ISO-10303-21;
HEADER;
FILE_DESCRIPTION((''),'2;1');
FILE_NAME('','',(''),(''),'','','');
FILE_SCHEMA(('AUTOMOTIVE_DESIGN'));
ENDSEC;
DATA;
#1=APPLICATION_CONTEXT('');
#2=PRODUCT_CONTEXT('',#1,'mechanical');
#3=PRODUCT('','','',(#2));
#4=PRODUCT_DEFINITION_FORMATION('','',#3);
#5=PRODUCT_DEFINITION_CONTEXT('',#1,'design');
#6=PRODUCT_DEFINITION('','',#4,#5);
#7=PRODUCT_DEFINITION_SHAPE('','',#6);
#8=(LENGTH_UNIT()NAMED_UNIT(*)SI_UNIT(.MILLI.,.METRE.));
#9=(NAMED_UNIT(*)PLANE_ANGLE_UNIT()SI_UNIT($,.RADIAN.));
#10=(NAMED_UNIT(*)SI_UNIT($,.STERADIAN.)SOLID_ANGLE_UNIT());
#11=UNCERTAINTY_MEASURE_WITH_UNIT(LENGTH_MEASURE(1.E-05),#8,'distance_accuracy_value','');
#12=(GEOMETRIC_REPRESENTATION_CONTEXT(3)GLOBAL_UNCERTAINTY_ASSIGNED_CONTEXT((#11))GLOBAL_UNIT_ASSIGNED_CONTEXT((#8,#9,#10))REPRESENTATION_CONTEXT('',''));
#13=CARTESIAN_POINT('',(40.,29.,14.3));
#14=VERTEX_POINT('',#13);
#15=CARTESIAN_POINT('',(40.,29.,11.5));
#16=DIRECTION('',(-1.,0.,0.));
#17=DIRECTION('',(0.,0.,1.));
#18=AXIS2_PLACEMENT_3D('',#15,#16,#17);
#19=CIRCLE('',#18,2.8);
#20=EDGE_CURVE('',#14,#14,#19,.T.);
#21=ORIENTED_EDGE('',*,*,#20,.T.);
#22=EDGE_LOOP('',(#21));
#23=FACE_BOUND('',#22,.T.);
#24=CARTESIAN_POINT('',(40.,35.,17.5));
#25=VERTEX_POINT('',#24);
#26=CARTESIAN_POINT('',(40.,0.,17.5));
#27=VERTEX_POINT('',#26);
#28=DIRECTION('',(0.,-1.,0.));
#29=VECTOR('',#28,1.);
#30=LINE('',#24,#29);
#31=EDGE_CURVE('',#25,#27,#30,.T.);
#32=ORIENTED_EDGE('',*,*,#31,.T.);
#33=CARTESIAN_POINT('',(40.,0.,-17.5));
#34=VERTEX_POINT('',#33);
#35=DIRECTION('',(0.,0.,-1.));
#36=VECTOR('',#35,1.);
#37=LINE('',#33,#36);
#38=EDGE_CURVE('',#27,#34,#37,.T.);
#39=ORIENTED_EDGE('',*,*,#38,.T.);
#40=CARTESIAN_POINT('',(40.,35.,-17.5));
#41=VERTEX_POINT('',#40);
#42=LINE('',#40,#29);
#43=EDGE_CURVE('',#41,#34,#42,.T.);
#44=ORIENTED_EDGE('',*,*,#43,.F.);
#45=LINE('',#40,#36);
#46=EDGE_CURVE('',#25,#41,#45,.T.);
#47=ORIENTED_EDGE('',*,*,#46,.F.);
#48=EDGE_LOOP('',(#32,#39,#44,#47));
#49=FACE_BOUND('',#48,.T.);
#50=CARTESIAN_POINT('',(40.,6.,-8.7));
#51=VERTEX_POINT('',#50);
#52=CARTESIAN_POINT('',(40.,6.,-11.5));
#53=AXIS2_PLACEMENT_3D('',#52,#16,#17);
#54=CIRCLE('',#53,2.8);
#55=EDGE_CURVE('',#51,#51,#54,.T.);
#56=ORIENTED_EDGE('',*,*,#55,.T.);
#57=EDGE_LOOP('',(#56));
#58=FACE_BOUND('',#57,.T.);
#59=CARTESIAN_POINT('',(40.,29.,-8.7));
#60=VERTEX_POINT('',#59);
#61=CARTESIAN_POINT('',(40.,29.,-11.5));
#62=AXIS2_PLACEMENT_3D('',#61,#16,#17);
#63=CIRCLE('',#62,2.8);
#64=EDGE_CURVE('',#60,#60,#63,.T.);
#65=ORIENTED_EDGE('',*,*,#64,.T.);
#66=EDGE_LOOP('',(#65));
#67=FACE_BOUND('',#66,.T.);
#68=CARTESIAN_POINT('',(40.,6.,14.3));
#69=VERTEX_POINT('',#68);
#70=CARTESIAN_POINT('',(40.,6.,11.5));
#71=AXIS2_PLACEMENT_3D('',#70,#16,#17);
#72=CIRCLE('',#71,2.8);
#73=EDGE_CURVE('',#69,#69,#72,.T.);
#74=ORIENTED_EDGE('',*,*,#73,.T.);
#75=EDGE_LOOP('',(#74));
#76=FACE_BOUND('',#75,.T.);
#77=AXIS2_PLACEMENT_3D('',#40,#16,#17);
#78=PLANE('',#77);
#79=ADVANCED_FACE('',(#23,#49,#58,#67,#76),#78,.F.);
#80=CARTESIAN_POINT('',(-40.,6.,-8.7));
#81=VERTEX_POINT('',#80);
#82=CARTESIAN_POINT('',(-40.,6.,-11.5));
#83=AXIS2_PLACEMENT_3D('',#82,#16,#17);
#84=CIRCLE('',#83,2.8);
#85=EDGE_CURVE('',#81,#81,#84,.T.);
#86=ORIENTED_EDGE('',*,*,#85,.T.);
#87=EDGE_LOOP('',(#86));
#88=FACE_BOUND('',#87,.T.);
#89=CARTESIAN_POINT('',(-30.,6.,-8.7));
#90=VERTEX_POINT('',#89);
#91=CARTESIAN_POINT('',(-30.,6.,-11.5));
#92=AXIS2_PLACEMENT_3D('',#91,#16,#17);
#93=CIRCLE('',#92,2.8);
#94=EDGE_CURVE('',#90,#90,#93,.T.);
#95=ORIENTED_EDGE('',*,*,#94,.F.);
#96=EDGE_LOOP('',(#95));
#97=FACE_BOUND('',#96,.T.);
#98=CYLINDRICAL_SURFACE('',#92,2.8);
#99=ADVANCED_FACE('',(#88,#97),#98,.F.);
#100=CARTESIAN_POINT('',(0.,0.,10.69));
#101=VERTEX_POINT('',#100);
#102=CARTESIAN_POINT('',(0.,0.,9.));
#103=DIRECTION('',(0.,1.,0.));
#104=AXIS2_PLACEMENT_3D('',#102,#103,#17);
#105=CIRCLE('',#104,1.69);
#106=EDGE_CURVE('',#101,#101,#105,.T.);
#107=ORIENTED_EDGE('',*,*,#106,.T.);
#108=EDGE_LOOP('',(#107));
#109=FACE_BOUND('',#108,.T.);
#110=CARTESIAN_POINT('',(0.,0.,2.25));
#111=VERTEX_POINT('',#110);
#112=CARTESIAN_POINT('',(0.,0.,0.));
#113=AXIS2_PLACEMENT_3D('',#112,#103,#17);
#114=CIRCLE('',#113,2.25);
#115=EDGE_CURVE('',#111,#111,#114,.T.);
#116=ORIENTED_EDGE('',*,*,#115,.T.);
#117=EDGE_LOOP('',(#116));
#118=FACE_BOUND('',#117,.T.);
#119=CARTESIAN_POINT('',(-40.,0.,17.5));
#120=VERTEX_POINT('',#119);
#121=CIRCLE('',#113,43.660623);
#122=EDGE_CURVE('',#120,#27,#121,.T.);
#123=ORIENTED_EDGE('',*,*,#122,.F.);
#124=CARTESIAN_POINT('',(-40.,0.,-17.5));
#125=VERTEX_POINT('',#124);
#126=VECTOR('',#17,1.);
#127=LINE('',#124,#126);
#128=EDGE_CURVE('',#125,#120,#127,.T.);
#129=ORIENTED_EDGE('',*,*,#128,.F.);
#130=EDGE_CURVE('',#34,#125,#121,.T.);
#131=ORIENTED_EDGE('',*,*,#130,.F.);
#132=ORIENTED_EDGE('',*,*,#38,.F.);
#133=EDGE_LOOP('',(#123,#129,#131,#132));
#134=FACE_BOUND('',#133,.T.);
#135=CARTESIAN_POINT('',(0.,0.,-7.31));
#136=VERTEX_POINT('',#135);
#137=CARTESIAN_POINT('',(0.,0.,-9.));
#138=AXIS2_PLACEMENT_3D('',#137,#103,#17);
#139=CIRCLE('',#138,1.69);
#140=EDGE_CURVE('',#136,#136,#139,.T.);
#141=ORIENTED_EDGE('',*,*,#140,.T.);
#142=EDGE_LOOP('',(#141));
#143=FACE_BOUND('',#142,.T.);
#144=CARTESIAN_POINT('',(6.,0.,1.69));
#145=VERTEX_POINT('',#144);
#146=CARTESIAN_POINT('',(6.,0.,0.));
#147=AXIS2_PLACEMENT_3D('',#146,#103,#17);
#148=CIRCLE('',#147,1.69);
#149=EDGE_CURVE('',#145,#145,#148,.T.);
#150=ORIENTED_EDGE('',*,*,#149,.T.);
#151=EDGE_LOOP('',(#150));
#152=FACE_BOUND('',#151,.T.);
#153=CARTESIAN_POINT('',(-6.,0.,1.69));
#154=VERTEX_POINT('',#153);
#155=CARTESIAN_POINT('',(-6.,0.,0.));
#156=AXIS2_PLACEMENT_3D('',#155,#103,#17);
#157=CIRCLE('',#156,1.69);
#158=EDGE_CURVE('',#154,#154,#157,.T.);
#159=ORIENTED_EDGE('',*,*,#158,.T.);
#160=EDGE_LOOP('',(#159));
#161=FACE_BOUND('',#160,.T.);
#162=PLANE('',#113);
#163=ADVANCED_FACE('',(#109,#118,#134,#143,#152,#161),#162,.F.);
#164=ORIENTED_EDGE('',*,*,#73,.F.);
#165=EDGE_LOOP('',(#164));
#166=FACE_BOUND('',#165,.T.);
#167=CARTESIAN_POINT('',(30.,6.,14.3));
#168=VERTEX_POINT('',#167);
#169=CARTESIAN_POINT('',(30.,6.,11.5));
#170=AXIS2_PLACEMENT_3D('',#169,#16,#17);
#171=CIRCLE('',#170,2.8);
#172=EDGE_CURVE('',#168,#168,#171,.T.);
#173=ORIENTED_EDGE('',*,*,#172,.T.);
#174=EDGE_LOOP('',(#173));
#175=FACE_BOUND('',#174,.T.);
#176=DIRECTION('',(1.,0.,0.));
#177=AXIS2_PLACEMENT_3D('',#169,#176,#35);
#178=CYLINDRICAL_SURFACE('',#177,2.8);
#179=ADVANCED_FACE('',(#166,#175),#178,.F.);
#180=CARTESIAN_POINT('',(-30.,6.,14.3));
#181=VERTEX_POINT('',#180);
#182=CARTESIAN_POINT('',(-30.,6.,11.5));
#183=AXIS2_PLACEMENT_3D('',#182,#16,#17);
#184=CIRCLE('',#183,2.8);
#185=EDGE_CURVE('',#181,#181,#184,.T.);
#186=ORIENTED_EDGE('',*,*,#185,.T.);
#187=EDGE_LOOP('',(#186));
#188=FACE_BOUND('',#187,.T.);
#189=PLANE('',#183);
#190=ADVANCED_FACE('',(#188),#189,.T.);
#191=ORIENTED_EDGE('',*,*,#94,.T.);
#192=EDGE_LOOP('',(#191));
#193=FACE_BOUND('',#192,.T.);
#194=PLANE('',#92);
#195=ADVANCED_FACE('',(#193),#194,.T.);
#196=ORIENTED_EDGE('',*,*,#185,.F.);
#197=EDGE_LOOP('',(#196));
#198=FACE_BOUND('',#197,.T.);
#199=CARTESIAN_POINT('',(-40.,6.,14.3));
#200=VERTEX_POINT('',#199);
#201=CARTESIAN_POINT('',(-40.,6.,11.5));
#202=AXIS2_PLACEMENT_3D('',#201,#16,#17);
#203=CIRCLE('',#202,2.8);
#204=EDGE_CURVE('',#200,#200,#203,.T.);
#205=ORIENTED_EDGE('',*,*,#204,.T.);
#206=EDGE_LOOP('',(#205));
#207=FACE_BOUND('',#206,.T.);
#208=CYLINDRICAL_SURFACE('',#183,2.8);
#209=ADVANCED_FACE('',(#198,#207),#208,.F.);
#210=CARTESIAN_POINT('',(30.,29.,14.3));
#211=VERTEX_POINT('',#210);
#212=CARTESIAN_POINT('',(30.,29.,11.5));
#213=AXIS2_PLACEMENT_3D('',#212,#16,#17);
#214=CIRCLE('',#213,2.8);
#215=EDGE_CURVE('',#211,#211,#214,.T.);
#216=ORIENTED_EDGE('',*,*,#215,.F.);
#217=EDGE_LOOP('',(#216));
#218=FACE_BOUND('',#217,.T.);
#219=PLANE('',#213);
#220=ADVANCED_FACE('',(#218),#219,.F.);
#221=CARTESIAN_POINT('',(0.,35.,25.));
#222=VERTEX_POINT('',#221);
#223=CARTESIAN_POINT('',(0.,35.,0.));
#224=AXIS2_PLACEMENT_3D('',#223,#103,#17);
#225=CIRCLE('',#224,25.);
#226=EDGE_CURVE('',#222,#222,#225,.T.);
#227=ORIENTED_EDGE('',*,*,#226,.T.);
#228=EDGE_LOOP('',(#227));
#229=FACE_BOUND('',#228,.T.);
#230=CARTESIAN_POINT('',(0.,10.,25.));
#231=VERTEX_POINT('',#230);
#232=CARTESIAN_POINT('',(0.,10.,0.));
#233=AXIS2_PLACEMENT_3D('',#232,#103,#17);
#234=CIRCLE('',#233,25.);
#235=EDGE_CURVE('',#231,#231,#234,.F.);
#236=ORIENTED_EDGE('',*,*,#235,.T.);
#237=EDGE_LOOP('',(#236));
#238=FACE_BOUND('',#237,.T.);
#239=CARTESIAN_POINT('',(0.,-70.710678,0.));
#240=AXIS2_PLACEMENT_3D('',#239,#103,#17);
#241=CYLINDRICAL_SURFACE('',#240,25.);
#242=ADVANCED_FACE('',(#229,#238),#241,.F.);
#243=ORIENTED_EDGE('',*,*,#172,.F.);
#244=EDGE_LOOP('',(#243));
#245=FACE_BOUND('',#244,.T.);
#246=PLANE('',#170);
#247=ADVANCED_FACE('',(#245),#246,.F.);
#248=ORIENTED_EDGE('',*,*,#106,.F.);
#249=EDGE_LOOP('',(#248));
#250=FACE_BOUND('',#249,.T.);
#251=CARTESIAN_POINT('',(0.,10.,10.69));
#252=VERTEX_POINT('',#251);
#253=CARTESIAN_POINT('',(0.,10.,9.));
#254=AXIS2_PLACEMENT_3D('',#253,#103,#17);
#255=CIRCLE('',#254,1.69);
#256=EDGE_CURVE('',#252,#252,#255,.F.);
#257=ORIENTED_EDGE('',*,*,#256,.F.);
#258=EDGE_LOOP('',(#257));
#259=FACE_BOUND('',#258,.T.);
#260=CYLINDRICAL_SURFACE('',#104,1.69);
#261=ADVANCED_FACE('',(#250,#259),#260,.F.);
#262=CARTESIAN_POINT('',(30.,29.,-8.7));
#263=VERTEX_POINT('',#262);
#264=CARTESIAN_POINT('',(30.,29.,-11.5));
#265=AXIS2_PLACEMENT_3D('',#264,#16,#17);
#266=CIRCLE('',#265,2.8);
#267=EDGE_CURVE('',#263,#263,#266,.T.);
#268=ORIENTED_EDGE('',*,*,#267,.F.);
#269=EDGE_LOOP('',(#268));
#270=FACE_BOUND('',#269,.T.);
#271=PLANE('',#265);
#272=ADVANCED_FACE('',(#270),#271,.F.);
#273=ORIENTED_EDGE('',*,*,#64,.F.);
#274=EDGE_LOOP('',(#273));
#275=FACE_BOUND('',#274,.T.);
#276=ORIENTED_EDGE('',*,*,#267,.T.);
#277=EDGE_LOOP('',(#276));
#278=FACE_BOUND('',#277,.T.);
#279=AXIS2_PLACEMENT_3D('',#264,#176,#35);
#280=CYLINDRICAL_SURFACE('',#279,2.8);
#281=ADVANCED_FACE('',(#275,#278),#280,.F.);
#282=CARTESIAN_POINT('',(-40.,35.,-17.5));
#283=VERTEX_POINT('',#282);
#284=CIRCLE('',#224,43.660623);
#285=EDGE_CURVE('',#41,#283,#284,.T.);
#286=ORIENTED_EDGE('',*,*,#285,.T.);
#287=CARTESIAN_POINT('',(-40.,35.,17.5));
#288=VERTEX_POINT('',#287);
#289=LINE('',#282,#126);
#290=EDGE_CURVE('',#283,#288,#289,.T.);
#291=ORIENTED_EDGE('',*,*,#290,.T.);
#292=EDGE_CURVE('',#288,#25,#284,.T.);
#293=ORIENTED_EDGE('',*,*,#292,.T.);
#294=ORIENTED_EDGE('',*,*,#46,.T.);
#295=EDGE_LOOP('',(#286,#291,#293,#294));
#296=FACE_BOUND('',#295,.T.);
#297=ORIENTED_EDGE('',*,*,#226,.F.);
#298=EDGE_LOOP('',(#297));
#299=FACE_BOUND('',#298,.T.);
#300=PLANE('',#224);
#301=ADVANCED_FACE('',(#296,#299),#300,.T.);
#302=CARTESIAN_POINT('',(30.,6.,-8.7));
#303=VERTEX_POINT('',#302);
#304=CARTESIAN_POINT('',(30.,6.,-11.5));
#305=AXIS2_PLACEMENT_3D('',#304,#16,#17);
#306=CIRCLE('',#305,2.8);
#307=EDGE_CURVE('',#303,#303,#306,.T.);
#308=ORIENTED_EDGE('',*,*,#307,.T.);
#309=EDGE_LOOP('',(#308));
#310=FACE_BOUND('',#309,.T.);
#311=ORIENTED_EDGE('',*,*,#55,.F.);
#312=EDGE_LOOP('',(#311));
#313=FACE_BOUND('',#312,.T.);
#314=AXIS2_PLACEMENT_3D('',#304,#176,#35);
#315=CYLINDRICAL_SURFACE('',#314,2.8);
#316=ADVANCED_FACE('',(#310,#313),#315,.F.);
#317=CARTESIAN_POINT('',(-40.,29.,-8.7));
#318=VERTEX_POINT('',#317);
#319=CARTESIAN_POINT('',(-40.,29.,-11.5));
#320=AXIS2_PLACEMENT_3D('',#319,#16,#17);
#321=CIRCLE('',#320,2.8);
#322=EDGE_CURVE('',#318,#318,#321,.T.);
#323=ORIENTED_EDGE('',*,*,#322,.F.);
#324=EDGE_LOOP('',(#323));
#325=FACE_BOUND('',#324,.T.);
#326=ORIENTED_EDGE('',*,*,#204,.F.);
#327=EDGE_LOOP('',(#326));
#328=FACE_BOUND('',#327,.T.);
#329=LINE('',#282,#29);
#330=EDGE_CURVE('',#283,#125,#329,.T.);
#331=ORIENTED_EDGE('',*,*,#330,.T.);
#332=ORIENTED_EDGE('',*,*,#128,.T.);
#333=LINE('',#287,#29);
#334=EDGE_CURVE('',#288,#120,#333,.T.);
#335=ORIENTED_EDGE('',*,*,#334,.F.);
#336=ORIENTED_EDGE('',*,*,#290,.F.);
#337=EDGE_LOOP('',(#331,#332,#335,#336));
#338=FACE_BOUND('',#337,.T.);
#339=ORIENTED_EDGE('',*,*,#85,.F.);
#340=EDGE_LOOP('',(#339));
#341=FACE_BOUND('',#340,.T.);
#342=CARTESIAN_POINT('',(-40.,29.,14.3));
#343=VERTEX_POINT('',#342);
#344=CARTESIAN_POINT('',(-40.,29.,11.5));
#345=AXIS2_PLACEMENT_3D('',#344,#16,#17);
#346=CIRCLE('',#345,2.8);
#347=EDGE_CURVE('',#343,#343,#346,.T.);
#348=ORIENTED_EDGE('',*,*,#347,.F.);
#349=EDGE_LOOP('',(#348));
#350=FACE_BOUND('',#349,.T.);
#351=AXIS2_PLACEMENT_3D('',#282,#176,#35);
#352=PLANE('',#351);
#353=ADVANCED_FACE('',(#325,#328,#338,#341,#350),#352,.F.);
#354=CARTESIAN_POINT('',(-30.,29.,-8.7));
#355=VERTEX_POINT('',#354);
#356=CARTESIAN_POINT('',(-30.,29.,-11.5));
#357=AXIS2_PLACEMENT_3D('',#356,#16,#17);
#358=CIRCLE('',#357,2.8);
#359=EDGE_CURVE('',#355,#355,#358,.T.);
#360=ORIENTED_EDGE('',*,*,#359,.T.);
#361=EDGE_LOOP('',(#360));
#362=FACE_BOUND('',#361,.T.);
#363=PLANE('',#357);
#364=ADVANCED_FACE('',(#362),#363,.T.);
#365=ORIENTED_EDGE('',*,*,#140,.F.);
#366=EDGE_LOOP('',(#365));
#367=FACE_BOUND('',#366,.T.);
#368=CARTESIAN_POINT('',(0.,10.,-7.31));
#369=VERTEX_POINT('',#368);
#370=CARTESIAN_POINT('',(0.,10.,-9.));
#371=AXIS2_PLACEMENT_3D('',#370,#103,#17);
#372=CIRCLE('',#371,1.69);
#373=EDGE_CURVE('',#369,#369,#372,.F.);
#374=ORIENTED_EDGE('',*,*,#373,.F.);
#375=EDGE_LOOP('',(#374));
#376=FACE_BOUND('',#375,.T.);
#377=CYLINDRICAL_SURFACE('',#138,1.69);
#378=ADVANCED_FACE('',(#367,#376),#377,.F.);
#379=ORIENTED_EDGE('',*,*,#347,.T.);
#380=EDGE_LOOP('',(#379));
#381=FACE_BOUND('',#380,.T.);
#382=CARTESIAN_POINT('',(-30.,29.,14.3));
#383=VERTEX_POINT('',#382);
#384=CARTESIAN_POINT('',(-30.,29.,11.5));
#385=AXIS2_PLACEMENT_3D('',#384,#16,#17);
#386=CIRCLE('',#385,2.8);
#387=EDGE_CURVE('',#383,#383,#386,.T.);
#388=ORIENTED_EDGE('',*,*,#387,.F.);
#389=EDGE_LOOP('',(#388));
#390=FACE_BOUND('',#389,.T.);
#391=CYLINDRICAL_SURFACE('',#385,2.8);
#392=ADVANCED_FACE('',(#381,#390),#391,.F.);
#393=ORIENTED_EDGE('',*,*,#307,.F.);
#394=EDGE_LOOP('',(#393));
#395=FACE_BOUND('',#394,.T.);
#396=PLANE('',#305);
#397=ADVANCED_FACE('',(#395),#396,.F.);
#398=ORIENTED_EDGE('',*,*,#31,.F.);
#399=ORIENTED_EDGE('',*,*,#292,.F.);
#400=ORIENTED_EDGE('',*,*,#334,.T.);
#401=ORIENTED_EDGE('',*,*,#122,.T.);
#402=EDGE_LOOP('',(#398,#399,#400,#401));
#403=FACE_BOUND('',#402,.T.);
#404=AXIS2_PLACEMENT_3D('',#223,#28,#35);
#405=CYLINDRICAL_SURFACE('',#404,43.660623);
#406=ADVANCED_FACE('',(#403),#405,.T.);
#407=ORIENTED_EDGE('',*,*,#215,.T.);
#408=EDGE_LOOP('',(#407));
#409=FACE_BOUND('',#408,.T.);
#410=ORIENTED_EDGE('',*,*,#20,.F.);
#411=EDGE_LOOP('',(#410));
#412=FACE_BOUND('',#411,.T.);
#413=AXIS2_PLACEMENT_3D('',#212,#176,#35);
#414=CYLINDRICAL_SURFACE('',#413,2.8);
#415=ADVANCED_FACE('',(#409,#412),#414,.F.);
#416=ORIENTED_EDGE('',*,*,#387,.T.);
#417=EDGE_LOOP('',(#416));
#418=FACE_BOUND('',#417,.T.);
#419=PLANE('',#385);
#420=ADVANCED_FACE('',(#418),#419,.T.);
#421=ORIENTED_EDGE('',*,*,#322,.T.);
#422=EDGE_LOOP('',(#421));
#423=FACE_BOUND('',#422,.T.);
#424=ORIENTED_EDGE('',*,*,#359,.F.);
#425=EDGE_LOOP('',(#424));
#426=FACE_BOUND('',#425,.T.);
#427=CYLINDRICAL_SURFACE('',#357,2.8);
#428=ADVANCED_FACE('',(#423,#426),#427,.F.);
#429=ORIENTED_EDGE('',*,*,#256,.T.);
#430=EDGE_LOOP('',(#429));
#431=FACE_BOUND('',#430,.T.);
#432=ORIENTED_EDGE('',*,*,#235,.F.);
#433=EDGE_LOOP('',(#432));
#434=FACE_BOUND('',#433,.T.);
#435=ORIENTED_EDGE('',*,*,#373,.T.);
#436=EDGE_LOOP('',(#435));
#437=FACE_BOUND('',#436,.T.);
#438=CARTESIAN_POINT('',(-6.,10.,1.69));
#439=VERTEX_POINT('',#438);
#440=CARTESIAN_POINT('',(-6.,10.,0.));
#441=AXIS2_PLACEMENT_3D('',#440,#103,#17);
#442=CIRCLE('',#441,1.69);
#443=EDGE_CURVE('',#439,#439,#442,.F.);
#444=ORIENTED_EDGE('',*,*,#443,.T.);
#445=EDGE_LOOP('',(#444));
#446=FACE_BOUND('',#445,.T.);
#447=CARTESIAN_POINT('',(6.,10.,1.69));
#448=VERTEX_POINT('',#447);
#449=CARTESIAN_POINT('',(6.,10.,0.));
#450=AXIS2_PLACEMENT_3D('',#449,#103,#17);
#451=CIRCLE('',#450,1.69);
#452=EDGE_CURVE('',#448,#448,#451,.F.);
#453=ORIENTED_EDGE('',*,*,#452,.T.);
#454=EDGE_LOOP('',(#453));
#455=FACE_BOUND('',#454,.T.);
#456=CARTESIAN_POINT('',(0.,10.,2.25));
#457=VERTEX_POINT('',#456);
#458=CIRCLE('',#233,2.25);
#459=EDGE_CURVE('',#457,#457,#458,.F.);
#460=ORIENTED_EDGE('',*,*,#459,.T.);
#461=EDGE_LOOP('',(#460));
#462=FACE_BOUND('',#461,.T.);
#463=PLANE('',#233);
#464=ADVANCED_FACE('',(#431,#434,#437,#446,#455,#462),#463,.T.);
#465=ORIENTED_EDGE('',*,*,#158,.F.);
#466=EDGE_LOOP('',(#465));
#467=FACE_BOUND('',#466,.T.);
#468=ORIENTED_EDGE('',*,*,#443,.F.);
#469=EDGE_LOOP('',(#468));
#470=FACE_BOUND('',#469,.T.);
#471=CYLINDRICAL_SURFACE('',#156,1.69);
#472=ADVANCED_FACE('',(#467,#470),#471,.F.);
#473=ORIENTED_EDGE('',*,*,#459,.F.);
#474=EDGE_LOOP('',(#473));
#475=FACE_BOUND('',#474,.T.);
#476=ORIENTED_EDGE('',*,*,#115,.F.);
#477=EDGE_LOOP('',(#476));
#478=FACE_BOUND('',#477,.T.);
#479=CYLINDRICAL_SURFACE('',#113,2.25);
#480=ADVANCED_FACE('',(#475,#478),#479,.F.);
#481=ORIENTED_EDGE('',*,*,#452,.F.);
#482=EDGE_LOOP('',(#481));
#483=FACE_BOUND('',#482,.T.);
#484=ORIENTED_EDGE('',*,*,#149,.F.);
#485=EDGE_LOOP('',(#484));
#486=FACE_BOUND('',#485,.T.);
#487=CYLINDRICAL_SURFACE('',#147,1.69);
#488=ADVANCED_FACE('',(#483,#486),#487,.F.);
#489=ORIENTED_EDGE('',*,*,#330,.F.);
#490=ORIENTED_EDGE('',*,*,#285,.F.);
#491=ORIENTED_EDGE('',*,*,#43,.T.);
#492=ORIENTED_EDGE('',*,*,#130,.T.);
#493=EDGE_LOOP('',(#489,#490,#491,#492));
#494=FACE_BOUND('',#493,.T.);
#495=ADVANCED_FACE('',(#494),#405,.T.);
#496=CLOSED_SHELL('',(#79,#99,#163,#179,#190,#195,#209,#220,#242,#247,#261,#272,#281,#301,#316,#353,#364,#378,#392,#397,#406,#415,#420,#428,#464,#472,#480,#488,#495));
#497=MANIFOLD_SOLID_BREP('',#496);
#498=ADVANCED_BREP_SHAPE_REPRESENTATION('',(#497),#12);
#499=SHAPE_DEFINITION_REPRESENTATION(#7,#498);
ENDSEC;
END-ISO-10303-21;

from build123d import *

# Parameters (mm, degrees)
BOSS_EXTRUDE1_DEPTH = 35
SKETCH2_R           = 2.8
CUT_EXTRUDE1_DEPTH  = 10
CUT_EXTRUDE2_START  = -80
SKETCH2_2_R         = 2.8
CUT_EXTRUDE2_DEPTH  = 10
SKETCH3_R           = 1.69
SKETCH3_R_2         = 2.25
CUT_EXTRUDE3_DEPTH  = 36
SKETCH4_R           = 25
CUT_EXTRUDE4_DEPTH  = 25


with BuildPart() as part:
    # Sketch1 → Boss-Extrude1 (new body)
    with BuildSketch(Plane(origin=(0, 0, 0), x_dir=(1, 0, 0), z_dir=(0, 1, 0))):
        with BuildLine():
            Line((-40, 17.5), (-40, -17.5))
            ThreePointArc((-40, -17.5), (0, -43.660622991), (40, -17.5))
            Line((40, -17.5), (40, 17.5))
            ThreePointArc((40, 17.5), (0, 43.660622991), (-40, 17.5))
        make_face()
    extrude(amount=BOSS_EXTRUDE1_DEPTH)

    # Sketch2 → Cut-Extrude1 (cut)
    with BuildSketch(Plane.ZY.offset(40)):
        with Locations((-11.5, 29)):
            Circle(SKETCH2_R)
        with Locations((11.5, 29)):
            Circle(SKETCH2_R)
        with Locations((-11.5, 6)):
            Circle(SKETCH2_R)
        with Locations((11.5, 6)):
            Circle(SKETCH2_R)
    extrude(amount=-CUT_EXTRUDE1_DEPTH, mode=Mode.SUBTRACT)

    # Sketch2<2> → Cut-Extrude2 (cut)
    with BuildSketch(Plane.ZY.offset(40).offset(CUT_EXTRUDE2_START)):
        with Locations((-11.5, 29)):
            Circle(SKETCH2_2_R)
        with Locations((11.5, 29)):
            Circle(SKETCH2_2_R)
        with Locations((-11.5, 6)):
            Circle(SKETCH2_2_R)
        with Locations((11.5, 6)):
            Circle(SKETCH2_2_R)
    extrude(amount=CUT_EXTRUDE2_DEPTH, mode=Mode.SUBTRACT)

    # Sketch3 → Cut-Extrude3 (cut, through all)
    with BuildSketch(Plane(origin=(0, 35, 0), x_dir=(1, 0, 0), z_dir=(0, 1, 0))):
        with Locations((0, 9)):
            Circle(SKETCH3_R)
        with Locations((6, 0)):
            Circle(SKETCH3_R)
        with Locations((0, -9)):
            Circle(SKETCH3_R)
        with Locations((-6, 0)):
            Circle(SKETCH3_R)
        Circle(SKETCH3_R_2)
    extrude(amount=-CUT_EXTRUDE3_DEPTH, mode=Mode.SUBTRACT)

    # Sketch4 → Cut-Extrude4 (cut)
    with BuildSketch(Plane(origin=(0, 35, 0), x_dir=(1, 0, 0), z_dir=(0, 1, 0))):
        Circle(SKETCH4_R)
    extrude(amount=-CUT_EXTRUDE4_DEPTH, mode=Mode.SUBTRACT)


solid = part.part
